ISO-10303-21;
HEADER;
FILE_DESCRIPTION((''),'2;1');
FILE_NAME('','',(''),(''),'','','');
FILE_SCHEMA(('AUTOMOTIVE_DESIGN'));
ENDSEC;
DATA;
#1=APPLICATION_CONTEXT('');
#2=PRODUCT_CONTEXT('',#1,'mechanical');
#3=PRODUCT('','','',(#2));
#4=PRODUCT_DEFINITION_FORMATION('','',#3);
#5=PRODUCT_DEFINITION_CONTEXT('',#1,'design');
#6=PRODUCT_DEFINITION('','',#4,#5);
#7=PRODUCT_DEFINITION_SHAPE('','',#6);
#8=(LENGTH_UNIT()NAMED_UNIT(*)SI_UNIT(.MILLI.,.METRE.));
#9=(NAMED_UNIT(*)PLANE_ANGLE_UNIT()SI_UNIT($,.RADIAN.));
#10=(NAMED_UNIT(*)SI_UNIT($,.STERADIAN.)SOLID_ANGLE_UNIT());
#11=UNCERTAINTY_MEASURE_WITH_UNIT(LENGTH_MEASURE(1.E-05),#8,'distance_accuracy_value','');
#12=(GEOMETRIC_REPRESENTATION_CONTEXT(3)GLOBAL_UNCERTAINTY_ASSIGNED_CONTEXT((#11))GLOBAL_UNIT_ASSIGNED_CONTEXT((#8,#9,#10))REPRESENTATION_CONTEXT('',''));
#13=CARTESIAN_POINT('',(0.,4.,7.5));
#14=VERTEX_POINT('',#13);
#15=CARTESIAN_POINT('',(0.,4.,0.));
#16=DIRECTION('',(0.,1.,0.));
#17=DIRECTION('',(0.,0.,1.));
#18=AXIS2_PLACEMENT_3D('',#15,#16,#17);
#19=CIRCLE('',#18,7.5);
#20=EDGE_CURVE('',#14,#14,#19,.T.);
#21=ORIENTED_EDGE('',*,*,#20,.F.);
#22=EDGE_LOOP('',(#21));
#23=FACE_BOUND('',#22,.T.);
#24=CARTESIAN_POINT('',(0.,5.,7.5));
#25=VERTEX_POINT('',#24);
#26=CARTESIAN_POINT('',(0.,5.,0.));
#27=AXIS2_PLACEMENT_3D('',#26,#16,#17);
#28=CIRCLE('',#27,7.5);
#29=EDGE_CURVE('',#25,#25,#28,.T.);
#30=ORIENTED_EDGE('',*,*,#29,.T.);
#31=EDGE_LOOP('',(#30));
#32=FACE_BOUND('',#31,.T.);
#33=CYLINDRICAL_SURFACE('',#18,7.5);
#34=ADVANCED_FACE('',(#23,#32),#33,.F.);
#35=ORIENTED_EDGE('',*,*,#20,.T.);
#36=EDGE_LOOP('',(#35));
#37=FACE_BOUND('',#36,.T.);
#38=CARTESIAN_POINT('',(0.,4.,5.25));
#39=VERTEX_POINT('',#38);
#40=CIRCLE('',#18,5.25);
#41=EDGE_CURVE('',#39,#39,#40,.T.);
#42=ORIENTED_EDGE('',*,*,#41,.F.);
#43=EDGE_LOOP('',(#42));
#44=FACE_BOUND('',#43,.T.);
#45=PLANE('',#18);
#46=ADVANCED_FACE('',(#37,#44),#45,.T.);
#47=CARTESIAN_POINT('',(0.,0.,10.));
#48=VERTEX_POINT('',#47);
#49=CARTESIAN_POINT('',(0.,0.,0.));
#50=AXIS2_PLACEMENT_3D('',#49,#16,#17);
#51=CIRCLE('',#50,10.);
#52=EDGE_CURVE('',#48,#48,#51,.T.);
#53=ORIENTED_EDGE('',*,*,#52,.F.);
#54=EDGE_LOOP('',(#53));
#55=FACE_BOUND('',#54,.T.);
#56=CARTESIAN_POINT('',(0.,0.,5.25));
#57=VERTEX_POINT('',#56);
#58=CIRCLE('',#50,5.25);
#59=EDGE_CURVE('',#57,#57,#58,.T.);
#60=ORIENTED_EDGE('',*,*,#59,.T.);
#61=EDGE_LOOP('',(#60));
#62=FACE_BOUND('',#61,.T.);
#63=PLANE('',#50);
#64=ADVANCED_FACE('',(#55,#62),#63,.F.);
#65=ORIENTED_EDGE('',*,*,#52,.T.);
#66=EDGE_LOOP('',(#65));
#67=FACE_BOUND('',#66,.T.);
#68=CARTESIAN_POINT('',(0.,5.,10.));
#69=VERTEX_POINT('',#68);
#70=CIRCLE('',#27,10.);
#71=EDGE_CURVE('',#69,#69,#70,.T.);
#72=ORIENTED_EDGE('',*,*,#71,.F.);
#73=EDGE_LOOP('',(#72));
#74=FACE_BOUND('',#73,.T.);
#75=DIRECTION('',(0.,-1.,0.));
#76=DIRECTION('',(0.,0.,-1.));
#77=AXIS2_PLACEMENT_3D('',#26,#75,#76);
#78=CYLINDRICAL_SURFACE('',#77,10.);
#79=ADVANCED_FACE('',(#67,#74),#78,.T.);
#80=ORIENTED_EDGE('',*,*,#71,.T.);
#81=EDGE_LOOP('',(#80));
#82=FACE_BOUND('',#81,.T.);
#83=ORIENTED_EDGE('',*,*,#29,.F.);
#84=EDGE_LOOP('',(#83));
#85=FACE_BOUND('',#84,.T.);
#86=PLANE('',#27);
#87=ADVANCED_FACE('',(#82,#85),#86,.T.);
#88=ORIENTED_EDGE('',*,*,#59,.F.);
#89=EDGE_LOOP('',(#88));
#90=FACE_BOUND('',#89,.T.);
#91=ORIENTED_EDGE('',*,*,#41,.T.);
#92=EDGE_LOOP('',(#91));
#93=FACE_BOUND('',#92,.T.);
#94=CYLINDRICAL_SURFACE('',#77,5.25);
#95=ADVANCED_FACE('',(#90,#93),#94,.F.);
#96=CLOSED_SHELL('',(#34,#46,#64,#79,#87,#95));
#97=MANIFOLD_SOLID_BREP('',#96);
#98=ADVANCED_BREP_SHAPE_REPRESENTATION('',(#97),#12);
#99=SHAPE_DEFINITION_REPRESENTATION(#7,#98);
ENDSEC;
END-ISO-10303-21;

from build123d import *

# Parameters (mm, degrees)
ESQUISSE1_R             = 10
ESQUISSE1_R_2           = 5.25
BOSS_EXTRU_1_DEPTH      = 5
ESQUISSE2_R             = 7.5
ENL_V_MAT_EXTRU_1_DEPTH = 1


with BuildPart() as part:
    # Esquisse1 → Boss.-Extru.1 (new body)
    with BuildSketch(Plane(origin=(0, 0, 0), x_dir=(1, 0, 0), z_dir=(0, 1, 0))):
        Circle(ESQUISSE1_R)
        Circle(ESQUISSE1_R_2, mode=Mode.SUBTRACT)
    extrude(amount=BOSS_EXTRU_1_DEPTH)

    # Esquisse2 → Enlèv. mat.-Extru.1 (cut)
    with BuildSketch(Plane(origin=(0, 5, 0), x_dir=(1, 0, 0), z_dir=(0, 1, 0))):
        Circle(ESQUISSE2_R)
    extrude(amount=-ENL_V_MAT_EXTRU_1_DEPTH, mode=Mode.SUBTRACT)


solid = part.part
